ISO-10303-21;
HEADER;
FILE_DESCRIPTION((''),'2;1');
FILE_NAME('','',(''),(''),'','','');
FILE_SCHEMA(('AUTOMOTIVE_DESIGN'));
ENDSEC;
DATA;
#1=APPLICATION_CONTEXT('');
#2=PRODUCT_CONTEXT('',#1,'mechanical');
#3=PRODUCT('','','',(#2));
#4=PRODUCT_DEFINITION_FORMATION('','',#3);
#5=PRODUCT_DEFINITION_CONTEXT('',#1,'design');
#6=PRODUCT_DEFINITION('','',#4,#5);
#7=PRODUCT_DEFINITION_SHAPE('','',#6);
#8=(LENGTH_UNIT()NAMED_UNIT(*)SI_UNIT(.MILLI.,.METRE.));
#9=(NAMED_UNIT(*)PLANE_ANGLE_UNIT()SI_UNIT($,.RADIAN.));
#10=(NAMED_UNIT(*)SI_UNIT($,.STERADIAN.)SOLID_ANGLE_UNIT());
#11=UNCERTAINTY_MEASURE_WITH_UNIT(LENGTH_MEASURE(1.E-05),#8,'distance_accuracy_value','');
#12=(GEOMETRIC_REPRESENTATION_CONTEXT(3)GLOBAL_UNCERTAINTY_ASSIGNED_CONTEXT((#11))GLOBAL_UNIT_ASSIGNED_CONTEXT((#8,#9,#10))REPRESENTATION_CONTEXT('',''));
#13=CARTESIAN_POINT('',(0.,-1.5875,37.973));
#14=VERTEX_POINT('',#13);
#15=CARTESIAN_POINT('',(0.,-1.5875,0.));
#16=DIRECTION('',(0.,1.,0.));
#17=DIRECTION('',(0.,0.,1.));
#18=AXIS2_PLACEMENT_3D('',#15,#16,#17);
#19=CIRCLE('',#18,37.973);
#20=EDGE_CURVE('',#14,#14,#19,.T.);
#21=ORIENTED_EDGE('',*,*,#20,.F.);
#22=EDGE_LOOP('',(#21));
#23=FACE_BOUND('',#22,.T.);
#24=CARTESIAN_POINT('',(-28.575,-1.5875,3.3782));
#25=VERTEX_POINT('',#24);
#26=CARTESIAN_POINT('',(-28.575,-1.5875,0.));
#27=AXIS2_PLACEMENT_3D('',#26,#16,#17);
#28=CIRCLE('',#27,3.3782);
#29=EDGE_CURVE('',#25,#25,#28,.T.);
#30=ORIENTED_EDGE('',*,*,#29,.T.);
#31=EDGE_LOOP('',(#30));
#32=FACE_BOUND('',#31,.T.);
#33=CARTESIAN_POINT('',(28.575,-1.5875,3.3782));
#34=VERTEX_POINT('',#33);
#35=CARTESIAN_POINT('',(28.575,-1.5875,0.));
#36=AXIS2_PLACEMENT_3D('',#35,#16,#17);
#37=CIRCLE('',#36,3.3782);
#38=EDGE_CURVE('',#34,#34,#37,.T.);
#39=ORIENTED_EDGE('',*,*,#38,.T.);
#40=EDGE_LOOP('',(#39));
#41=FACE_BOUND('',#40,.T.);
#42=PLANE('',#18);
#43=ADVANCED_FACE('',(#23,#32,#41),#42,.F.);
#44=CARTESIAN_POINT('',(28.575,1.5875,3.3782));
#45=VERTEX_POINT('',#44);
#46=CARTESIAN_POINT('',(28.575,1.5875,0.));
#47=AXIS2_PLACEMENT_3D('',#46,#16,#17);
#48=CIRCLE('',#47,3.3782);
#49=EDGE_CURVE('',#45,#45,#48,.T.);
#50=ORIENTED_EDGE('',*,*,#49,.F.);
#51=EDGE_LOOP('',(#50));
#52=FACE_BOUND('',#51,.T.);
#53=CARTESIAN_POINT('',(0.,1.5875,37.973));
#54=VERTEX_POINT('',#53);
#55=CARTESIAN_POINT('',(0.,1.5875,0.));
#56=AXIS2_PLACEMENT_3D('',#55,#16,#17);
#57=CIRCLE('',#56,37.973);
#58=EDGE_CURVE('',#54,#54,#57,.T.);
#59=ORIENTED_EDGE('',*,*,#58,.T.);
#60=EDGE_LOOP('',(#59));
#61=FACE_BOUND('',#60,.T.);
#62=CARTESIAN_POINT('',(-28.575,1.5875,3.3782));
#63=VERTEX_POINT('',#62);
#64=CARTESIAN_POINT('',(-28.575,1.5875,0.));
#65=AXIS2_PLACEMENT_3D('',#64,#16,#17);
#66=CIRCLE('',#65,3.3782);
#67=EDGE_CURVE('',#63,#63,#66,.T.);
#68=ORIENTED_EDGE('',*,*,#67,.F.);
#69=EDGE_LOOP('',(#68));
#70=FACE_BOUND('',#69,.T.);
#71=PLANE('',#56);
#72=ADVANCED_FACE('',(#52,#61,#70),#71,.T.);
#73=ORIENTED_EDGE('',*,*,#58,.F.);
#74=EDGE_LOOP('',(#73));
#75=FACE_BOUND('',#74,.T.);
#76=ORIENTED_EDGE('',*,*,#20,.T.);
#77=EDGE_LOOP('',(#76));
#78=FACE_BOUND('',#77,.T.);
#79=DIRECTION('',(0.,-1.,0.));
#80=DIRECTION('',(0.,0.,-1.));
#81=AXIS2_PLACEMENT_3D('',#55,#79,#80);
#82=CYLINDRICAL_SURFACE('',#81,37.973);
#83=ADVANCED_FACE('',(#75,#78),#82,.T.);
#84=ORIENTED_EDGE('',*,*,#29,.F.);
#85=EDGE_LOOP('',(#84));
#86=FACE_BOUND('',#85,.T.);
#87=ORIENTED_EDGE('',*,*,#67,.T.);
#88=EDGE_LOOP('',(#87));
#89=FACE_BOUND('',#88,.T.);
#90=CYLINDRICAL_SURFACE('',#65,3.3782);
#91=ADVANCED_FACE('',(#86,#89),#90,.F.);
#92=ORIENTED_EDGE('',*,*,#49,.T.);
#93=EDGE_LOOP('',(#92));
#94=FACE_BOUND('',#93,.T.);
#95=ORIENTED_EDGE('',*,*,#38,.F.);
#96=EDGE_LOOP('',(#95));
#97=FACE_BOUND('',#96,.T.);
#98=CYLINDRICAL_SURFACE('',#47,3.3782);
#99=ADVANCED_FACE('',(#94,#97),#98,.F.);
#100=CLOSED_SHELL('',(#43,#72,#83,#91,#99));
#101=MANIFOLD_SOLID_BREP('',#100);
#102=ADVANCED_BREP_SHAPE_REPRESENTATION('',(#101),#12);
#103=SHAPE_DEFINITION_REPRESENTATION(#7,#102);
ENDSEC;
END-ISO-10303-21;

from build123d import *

# Parameters (mm, degrees)
SKETCH1_R                = 37.973
BOSS_EXTRUDE1_DEPTH      = 1.5875
H_0_266_DIAMETER_HOLE1_D = 6.7564


with BuildPart() as part:
    # Sketch1 → Boss-Extrude1 (new, symmetric)
    with BuildSketch(Plane(origin=(0, 0, 0), x_dir=(1, 0, 0), z_dir=(0, 1, 0))):
        with Locations(Location((0, 0, 0), (0, 0, 270))):
            Circle(SKETCH1_R)
    extrude(amount=BOSS_EXTRUDE1_DEPTH, both=True)

    # H (0.266) Diameter Hole1 (through all)
    with Locations(Plane(origin=(0, 1.5875, 0), x_dir=(1, 0, 0), z_dir=(0, 1, 0))):
        with Locations((-28.575, 0), (28.575, 0)):
            Hole(H_0_266_DIAMETER_HOLE1_D / 2)


solid = part.part
